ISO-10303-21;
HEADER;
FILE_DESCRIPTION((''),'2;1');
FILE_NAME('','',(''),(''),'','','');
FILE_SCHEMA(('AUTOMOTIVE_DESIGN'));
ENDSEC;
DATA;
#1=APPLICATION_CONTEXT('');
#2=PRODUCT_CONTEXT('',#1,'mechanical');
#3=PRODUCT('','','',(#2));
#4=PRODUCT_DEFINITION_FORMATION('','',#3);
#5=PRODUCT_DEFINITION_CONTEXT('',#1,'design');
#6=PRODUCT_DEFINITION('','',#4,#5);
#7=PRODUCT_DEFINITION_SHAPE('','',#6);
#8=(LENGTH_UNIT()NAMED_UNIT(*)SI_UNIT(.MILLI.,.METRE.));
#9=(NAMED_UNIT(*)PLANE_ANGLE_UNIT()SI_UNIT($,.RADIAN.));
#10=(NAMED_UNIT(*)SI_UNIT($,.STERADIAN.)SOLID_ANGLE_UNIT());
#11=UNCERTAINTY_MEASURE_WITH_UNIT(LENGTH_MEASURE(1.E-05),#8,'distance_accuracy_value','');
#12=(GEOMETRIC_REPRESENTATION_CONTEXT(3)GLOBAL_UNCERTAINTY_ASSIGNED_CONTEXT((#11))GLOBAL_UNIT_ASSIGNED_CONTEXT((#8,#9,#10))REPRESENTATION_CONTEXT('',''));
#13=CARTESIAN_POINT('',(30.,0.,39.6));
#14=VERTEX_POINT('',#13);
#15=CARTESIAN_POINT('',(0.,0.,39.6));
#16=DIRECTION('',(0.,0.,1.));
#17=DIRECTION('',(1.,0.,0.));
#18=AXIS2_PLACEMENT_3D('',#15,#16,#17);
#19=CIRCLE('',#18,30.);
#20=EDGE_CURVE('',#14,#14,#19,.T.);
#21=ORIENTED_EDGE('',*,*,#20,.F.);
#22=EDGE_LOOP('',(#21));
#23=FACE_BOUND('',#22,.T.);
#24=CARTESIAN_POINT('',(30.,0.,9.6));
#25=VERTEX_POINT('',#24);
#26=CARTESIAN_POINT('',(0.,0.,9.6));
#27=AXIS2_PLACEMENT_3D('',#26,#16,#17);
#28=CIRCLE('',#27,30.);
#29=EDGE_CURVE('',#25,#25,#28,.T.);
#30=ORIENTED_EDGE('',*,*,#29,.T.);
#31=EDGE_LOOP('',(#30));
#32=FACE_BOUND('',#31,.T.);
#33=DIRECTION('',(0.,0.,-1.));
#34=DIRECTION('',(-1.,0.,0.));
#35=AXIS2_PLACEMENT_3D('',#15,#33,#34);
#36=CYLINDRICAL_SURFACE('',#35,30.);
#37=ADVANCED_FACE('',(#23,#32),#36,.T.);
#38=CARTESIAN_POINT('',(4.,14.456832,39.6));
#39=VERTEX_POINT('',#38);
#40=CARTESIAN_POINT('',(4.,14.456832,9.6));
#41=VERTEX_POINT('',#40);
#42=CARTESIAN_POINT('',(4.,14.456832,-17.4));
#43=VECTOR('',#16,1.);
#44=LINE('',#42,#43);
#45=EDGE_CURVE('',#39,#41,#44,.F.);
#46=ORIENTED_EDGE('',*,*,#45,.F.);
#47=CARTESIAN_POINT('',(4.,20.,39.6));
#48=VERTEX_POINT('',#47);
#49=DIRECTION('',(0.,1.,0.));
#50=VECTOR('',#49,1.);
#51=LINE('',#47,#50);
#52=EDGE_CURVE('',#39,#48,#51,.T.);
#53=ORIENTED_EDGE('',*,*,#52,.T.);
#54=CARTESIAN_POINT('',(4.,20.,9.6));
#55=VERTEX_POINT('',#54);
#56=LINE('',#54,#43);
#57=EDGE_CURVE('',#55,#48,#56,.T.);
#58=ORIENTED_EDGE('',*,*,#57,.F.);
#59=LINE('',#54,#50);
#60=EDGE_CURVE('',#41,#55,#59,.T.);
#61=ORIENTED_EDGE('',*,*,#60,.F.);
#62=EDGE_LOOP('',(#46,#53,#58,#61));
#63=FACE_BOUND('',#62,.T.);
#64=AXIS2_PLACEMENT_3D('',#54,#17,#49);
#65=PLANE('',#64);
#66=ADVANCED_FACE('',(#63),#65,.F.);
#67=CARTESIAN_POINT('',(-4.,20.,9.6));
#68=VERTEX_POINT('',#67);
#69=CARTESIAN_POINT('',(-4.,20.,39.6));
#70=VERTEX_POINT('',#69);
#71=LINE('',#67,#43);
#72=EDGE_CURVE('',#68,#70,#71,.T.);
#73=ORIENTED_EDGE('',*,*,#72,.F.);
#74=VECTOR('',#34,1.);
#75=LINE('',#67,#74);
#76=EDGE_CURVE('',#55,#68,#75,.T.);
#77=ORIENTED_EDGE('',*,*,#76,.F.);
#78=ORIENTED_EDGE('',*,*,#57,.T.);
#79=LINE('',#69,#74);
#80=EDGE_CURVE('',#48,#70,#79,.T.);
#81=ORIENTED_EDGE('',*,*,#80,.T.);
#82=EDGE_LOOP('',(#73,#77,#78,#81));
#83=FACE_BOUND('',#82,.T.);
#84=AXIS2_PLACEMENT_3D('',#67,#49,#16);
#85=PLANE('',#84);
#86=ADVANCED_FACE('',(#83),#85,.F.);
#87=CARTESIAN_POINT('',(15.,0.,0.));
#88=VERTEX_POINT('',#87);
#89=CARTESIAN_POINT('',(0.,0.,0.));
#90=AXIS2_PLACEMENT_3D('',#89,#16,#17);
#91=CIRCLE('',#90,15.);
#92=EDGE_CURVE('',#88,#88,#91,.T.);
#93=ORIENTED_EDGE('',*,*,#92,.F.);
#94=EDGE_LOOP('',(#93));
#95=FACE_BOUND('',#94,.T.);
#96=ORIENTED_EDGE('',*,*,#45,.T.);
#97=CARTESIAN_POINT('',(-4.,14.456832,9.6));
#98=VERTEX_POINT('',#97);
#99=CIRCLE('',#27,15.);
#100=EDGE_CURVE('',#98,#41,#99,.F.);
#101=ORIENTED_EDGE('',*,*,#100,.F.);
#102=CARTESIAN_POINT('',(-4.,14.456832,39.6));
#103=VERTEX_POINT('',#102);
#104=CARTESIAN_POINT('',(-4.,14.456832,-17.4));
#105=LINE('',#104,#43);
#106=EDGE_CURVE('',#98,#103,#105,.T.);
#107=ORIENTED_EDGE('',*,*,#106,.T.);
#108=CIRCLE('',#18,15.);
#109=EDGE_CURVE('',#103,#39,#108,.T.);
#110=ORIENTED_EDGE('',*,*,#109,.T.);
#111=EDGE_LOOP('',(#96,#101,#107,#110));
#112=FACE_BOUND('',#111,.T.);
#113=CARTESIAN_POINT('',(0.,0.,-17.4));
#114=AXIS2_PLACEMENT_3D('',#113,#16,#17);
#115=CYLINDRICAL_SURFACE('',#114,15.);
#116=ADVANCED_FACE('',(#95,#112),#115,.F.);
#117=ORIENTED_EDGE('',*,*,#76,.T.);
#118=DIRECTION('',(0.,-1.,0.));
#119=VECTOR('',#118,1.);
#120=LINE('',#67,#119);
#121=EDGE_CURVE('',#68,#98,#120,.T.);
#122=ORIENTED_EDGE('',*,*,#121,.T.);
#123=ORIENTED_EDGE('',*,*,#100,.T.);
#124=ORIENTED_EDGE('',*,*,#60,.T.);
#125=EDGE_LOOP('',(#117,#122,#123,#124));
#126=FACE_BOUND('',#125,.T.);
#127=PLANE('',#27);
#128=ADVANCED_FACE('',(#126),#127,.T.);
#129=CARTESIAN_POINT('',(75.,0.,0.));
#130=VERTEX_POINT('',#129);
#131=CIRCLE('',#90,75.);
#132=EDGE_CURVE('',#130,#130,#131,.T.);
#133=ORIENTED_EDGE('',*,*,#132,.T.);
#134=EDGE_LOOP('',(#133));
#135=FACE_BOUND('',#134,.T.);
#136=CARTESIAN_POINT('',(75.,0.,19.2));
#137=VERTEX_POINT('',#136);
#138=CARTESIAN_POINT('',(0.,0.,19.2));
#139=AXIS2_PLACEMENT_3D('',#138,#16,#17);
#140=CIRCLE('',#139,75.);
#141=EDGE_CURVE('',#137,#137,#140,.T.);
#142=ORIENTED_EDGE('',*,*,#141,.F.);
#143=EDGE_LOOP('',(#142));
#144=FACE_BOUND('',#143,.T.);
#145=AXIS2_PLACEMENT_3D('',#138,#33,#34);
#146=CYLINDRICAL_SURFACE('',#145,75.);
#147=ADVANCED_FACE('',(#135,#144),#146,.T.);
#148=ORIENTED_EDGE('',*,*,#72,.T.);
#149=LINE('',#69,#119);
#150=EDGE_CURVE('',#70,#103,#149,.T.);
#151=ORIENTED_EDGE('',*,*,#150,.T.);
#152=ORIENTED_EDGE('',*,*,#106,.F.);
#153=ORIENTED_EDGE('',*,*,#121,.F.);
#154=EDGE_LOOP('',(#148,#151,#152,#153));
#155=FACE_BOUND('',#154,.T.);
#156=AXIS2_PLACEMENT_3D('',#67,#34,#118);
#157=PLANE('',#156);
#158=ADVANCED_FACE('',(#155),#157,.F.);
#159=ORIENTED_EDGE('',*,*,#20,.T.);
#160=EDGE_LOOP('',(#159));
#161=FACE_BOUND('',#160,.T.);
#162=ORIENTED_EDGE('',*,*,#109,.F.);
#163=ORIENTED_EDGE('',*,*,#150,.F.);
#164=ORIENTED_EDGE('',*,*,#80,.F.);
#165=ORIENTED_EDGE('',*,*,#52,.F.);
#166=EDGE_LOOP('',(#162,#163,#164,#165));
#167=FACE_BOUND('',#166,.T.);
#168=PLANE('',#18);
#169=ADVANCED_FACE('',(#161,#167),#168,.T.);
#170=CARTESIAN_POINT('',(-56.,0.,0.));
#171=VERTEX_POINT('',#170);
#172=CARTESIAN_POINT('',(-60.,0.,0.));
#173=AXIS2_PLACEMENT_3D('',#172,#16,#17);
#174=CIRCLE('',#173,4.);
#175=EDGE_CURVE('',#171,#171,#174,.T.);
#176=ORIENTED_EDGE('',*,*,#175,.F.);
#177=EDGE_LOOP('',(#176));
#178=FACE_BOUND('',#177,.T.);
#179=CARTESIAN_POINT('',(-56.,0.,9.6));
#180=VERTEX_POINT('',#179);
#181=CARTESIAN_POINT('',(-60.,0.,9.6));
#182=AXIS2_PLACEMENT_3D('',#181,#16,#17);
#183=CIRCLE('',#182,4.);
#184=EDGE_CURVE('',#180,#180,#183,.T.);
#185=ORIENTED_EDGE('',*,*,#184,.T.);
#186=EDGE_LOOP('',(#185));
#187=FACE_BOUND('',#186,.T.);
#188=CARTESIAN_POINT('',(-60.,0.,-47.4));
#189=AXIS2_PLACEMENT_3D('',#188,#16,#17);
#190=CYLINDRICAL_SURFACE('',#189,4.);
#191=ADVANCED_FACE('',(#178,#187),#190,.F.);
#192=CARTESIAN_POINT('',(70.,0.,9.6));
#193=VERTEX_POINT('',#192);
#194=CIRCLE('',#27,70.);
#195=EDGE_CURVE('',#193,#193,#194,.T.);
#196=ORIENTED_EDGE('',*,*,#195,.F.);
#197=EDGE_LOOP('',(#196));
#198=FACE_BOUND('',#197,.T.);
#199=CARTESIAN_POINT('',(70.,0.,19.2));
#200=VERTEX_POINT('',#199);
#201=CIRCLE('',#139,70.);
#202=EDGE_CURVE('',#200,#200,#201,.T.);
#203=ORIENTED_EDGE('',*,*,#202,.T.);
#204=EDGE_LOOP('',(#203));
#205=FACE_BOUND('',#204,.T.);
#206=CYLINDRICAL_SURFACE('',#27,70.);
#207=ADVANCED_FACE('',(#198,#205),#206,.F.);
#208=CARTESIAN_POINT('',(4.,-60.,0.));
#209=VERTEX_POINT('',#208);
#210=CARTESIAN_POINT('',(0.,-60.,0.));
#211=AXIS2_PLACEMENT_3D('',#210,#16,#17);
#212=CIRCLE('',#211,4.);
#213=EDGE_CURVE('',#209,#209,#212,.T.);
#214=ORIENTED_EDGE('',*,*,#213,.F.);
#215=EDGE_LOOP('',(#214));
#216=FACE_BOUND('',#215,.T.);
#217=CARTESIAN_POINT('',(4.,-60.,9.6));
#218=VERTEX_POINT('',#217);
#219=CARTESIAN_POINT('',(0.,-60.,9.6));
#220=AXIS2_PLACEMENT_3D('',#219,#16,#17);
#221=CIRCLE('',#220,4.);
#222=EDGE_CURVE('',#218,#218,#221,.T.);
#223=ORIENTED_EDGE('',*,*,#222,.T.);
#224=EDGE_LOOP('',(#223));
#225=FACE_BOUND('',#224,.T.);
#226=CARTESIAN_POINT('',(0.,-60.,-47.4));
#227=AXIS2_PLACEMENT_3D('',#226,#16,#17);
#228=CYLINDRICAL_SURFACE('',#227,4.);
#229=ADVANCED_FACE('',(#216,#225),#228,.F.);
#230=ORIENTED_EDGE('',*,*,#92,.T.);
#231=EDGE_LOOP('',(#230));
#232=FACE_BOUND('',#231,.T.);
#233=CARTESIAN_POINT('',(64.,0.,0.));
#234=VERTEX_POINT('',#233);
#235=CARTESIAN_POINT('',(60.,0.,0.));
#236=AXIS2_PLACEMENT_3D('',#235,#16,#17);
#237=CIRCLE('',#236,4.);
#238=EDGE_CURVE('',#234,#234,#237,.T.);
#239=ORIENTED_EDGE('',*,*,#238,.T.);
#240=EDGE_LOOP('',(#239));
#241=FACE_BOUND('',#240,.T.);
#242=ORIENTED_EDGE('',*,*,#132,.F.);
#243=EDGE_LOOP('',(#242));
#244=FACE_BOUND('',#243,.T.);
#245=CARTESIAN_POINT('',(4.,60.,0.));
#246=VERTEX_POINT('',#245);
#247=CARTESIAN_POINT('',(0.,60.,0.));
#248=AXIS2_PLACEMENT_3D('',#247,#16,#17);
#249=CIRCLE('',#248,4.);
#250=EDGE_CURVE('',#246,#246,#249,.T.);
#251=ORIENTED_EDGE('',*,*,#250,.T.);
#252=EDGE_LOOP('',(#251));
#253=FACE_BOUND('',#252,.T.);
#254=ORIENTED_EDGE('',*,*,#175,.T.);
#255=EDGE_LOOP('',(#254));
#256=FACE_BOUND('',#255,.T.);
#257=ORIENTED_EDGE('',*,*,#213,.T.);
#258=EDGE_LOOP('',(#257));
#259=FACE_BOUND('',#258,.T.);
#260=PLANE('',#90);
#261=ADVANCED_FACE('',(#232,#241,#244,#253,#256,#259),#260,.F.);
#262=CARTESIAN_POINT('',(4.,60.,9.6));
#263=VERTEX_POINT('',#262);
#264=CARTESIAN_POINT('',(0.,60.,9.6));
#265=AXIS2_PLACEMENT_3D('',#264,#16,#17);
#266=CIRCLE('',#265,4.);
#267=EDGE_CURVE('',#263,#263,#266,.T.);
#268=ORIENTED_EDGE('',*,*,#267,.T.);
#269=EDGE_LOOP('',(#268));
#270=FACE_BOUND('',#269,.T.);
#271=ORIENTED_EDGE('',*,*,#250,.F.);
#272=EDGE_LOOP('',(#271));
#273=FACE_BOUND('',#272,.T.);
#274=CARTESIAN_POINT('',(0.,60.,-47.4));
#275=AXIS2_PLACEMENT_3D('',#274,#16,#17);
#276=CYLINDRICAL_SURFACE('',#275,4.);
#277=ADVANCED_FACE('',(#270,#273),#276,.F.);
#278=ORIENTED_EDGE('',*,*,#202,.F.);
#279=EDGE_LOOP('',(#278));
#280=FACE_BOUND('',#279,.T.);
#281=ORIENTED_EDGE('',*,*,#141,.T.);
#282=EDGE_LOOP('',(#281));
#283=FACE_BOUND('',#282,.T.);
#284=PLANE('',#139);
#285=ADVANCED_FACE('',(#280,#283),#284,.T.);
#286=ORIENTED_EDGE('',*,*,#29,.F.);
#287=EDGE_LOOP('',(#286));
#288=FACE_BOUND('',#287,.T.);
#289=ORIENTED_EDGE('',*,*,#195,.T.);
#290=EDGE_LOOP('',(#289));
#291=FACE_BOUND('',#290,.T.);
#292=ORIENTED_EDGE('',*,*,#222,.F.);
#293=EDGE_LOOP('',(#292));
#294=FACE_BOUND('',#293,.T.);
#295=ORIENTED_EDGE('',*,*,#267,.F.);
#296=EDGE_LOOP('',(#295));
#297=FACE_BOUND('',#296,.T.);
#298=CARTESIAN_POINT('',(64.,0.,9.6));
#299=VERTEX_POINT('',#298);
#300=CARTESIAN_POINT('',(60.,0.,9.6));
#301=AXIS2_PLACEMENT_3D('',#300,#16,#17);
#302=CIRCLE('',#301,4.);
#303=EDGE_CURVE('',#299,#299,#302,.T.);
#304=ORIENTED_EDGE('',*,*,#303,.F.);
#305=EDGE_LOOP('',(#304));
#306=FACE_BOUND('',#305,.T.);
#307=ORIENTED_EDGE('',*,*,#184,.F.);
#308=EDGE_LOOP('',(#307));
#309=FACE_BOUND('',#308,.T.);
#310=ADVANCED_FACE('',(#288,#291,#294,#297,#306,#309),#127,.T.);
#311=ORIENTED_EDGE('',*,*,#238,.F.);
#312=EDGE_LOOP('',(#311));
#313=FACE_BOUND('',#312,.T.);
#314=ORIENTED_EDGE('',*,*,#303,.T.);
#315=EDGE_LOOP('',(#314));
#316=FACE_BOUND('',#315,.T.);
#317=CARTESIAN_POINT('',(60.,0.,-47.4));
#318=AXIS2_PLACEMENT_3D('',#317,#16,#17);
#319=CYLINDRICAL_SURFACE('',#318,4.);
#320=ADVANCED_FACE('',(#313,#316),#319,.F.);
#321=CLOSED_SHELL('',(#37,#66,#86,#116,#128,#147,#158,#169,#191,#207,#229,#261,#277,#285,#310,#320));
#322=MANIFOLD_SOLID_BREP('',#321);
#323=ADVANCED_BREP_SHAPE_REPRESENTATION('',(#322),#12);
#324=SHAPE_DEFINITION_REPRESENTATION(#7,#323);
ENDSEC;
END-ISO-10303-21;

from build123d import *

# Parameters (mm, degrees)
SKETCH1_R           = 75
BOSS_EXTRUDE3_DEPTH = 19.2
SKETCH3_R           = 70
CUT_EXTRUDE1_DEPTH  = 9.6
SKETCH4_R           = 30
BOSS_EXTRUDE4_DEPTH = 30
SKETCH5_R           = 15
CUT_EXTRUDE2_DEPTH  = 57
SKETCH6_R           = 4
CUT_EXTRUDE3_DEPTH  = 57
SKETCH7_W           = 8
SKETCH7_H           = 10
CUT_EXTRUDE4_DEPTH  = 30


with BuildPart() as part:
    # Sketch1 → Boss-Extrude3 (new body)
    with BuildSketch(Plane.XY):
        Circle(SKETCH1_R)
    extrude(amount=BOSS_EXTRUDE3_DEPTH)

    # Sketch3 → Cut-Extrude1 (cut)
    with BuildSketch(Plane.XY.offset(19.2)):
        Circle(SKETCH3_R)
    extrude(amount=-CUT_EXTRUDE1_DEPTH, mode=Mode.SUBTRACT)

    # Sketch4 → Boss-Extrude4 (add)
    with BuildSketch(Plane.XY.offset(9.6)):
        Circle(SKETCH4_R)
    extrude(amount=BOSS_EXTRUDE4_DEPTH)

    # Sketch5 → Cut-Extrude2 (cut)
    with BuildSketch(Plane.XY.offset(39.6)):
        Circle(SKETCH5_R)
    extrude(amount=-CUT_EXTRUDE2_DEPTH, mode=Mode.SUBTRACT)

    # Sketch6 → Cut-Extrude3 (cut)
    with BuildSketch(Plane.XY.offset(9.6)):
        with Locations((0, 60)):
            Circle(SKETCH6_R)
        with Locations((60, 0)):
            Circle(SKETCH6_R)
        with Locations((0, -60)):
            Circle(SKETCH6_R)
        with Locations((-60, 0)):
            Circle(SKETCH6_R)
    extrude(amount=-CUT_EXTRUDE3_DEPTH, mode=Mode.SUBTRACT)

    # Sketch7 → Cut-Extrude4 (cut)
    with BuildSketch(Plane.XY.offset(39.6)):
        with Locations((0, 15)):
            Rectangle(SKETCH7_W, SKETCH7_H)
    extrude(amount=-CUT_EXTRUDE4_DEPTH, mode=Mode.SUBTRACT)


solid = part.part
